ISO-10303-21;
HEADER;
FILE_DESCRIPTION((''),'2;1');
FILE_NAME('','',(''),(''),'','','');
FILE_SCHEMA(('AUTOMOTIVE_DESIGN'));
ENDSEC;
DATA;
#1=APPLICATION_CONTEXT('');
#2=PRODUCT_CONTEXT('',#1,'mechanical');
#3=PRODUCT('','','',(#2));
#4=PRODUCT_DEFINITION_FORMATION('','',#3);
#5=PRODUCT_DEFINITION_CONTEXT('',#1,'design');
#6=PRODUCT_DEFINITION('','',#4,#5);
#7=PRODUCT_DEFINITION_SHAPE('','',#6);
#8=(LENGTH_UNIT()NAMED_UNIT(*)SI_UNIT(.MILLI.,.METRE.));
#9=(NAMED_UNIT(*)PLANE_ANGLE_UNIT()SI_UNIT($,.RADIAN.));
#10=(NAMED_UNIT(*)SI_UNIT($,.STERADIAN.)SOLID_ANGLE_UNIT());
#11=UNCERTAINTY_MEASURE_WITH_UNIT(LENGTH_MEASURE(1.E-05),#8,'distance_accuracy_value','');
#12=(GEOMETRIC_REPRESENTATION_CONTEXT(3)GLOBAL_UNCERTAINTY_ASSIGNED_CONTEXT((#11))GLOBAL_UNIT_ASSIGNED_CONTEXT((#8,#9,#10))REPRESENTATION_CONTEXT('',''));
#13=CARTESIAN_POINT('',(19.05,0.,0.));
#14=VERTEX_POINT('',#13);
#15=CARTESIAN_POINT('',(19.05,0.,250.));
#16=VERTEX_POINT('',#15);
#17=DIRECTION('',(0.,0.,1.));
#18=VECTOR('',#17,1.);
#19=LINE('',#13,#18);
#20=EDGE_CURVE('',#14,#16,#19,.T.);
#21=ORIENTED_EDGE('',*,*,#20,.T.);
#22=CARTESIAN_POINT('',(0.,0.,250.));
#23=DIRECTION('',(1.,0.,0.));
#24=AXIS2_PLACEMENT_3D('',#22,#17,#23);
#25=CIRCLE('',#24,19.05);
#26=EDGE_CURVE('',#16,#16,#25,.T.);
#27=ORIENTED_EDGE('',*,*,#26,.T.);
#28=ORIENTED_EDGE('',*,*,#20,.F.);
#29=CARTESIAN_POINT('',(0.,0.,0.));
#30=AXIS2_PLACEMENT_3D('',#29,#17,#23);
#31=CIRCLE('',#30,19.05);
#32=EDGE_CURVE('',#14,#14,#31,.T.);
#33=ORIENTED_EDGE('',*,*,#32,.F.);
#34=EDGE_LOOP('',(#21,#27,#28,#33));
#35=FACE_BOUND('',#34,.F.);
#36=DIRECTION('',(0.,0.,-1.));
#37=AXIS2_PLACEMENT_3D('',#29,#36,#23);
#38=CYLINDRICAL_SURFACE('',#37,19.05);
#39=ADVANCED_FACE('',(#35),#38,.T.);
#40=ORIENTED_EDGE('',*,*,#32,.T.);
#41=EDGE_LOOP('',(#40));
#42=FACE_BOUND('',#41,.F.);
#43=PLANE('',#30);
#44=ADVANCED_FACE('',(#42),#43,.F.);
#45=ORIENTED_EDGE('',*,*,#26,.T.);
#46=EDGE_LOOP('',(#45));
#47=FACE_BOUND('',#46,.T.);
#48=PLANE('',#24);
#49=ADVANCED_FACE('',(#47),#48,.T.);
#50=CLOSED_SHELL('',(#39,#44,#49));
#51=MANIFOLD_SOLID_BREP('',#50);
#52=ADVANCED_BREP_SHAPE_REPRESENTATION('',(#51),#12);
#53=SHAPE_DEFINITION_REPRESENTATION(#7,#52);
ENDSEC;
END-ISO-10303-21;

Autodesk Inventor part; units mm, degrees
ref_plane "YZ Plane" through (0, 0, 0) normal (1, 0, 0) x (0, 1, 0)
ref_plane "Start Plane" through (0, 0, 0) normal (0, 0, 1) x (1, 0, 0)
ref_plane "End Plane" through (0, 0, 250) normal (0, 0, 1) x (1, 0, 0)
sketch "Sketch" plane through (0, 0, 0) normal (0, 0, 1) x (1, 0, 0)
  circle A0 centre (0, 0) radius 19.05
  dimension "d0" = 38.1
extrude "Body" add sketch "Sketch" along normal up to surface (250 mm away) from surface at 0
sketch "Sketch2" plane through (0, 0, 0) normal (0, 0, 1) x (1, 0, 0)
  line L0 (0, 0) -> (10, 0)
ref_plane "Work Plane3" through (0, 0, 0) normal (0, -1, 0) x (1, 0, 0)
sketch "Sketch3" plane through (0, 0, 0) normal (0, -1, 0) x (1, 0, 0)
  line L0 (-2, 0) -> (12, 0) projected
  line L1 (-2, 250) -> (12, 250) projected
  dimension "d7" = 250
equation "\"d0\" = Diam"
equation "\"d1\" = G_L"
equation "\"Diam\" = 38.1"
equation "\"G_L\" = d7"
equation "\"G_OFFSET_START\" = 0"
equation "\"G_OFFSET_END\" = 0"
equation "\"d5\" = G_OFFSET_END + B_L"
equation "\"B_L\" = 250"
properties part number "ANSI/AISC Rolled Steel - 1 1/2-9.843, RB" material "Steel, Mild"
